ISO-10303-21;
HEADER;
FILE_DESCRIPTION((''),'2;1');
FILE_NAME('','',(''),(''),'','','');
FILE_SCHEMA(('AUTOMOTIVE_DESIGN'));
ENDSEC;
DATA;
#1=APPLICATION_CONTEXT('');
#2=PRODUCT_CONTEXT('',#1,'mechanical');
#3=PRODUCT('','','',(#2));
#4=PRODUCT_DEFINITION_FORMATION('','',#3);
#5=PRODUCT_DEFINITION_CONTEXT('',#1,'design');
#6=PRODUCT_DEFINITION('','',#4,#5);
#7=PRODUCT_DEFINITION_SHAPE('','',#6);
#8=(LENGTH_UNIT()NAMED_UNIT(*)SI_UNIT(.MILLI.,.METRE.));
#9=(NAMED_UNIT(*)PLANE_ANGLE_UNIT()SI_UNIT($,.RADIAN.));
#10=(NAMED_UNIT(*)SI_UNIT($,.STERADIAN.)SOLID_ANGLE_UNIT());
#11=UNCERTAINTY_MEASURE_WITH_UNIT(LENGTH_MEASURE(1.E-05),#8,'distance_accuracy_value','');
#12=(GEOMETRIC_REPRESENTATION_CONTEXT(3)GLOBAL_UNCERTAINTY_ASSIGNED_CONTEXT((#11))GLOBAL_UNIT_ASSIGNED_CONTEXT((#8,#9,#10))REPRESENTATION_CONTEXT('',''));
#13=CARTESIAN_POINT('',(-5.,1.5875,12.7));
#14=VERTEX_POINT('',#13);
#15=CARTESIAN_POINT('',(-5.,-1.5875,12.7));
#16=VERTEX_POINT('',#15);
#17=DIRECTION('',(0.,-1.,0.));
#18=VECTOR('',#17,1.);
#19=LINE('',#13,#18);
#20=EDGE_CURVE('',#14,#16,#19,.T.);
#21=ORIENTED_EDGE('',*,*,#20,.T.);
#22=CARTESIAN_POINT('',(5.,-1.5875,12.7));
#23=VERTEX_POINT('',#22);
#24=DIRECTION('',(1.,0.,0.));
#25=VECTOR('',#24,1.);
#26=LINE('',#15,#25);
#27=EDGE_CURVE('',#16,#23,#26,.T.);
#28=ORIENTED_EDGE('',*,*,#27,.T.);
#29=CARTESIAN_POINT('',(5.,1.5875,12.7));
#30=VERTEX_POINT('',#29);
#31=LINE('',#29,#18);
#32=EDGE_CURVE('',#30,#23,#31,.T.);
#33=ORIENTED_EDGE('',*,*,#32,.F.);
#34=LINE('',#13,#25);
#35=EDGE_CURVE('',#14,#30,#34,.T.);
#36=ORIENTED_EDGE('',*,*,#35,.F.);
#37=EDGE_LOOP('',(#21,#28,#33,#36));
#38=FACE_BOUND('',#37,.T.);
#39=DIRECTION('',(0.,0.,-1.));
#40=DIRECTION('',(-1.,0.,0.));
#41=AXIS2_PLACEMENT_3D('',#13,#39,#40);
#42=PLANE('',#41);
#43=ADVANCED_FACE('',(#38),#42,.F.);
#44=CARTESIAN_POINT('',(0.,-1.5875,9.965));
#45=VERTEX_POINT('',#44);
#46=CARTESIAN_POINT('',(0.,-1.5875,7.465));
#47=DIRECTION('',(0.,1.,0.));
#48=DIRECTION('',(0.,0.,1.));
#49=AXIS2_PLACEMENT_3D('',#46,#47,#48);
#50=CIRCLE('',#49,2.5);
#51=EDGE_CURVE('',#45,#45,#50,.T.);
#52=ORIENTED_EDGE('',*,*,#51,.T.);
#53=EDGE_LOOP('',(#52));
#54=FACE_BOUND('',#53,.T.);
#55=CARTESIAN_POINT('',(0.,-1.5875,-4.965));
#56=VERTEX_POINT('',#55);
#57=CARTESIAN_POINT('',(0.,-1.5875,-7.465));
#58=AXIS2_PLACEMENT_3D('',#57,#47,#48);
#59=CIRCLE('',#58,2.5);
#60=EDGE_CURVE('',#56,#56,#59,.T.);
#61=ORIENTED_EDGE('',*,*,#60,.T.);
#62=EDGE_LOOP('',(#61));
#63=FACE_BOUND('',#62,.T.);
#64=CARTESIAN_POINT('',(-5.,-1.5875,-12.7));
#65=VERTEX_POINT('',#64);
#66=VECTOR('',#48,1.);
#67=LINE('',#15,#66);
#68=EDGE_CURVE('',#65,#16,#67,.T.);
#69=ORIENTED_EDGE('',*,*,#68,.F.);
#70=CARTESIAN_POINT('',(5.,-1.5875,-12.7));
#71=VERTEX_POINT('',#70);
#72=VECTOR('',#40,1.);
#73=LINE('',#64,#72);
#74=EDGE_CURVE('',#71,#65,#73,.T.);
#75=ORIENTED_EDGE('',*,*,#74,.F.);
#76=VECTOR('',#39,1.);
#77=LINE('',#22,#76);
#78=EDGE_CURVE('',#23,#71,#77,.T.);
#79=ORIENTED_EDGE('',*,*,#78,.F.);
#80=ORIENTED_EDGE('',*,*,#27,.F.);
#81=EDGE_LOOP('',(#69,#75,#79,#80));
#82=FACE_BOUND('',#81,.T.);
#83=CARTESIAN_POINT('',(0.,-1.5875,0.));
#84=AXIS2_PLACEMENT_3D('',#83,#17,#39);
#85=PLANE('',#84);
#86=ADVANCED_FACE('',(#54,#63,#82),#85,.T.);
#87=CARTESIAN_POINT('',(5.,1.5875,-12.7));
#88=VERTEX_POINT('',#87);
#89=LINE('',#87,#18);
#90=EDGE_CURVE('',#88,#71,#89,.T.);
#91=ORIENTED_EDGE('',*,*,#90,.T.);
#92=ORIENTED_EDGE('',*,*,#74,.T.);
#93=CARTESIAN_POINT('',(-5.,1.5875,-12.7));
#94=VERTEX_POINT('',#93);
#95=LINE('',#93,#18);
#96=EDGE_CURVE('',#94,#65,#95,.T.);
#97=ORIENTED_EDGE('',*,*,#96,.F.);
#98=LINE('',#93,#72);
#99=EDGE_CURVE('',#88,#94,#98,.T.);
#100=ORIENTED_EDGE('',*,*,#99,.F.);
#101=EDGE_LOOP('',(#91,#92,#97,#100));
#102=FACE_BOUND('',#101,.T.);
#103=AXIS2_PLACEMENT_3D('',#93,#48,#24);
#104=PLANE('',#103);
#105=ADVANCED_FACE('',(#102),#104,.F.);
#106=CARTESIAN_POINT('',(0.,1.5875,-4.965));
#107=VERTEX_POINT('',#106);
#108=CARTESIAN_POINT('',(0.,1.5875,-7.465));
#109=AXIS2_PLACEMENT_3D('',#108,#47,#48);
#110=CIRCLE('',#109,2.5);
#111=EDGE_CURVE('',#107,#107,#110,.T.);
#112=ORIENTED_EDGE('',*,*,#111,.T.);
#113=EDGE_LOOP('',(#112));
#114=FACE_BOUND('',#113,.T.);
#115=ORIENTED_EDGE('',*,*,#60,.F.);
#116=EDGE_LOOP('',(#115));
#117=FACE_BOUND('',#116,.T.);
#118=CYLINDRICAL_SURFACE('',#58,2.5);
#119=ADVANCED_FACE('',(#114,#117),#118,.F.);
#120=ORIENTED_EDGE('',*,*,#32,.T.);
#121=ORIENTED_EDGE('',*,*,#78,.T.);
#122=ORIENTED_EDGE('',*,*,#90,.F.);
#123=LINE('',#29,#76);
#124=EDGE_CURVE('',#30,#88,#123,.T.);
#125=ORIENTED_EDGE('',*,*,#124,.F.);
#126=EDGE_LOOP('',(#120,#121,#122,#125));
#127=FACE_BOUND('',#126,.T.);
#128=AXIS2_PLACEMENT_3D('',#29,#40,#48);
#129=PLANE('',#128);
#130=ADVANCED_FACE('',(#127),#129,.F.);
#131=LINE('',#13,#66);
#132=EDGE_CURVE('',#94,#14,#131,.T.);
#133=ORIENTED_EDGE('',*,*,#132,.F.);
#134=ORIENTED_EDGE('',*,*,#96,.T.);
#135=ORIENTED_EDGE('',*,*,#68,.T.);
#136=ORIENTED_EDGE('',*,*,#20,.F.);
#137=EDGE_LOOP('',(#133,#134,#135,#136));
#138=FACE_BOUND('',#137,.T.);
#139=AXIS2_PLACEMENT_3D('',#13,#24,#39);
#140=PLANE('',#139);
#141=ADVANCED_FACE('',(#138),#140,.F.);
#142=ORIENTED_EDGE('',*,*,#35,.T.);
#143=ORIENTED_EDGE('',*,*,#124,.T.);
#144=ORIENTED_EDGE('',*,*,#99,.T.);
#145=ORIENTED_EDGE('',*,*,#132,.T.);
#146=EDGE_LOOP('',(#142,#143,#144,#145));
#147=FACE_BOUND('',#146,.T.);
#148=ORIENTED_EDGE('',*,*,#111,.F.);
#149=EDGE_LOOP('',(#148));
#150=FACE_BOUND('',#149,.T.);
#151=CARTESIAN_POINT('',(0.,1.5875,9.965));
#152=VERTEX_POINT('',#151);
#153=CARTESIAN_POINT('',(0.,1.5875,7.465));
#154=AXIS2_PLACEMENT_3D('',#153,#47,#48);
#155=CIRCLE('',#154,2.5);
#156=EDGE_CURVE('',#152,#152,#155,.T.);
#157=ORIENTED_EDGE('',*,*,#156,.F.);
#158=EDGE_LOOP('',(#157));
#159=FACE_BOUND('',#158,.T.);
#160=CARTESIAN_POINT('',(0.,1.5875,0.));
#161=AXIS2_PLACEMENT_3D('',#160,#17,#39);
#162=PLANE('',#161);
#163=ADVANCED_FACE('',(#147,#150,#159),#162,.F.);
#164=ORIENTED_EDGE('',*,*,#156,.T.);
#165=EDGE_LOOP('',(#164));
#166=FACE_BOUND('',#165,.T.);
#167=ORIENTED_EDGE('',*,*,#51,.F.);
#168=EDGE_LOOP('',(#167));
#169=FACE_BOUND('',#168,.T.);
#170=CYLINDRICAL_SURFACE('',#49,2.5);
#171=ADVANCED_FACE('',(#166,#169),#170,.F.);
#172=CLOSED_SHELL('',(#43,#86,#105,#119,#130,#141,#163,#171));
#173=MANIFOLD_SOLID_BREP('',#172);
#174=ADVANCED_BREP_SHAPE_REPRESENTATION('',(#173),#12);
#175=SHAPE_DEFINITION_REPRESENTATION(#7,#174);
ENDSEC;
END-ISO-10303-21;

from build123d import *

# Parameters (mm, degrees)
SKETCH1_W           = 10
SKETCH1_H           = 25.4
BOSS_EXTRUDE1_DEPTH = 1.5875
SKETCH2_R           = 2.5
CUT_EXTRUDE1_DEPTH  = 15.013230356


with BuildPart() as part:
    # Sketch1 → Boss-Extrude1 (new, symmetric)
    with BuildSketch(Plane(origin=(0, 0, 0), x_dir=(1, 0, 0), z_dir=(0, 1, 0))):
        Rectangle(SKETCH1_W, SKETCH1_H)
    extrude(amount=BOSS_EXTRUDE1_DEPTH, both=True)

    # Sketch2 → Cut-Extrude1 (cut, through all)
    with BuildSketch(Plane(origin=(0, 1.5875, 0), x_dir=(1, 0, 0), z_dir=(0, 1, 0))):
        with Locations(Location((0, 7.465, 0), (0, 0, 270))):
            Circle(SKETCH2_R)
        with Locations(Location((0, -7.465, 0), (0, 0, 270))):
            Circle(SKETCH2_R)
    extrude(amount=-CUT_EXTRUDE1_DEPTH, mode=Mode.SUBTRACT)


solid = part.part
